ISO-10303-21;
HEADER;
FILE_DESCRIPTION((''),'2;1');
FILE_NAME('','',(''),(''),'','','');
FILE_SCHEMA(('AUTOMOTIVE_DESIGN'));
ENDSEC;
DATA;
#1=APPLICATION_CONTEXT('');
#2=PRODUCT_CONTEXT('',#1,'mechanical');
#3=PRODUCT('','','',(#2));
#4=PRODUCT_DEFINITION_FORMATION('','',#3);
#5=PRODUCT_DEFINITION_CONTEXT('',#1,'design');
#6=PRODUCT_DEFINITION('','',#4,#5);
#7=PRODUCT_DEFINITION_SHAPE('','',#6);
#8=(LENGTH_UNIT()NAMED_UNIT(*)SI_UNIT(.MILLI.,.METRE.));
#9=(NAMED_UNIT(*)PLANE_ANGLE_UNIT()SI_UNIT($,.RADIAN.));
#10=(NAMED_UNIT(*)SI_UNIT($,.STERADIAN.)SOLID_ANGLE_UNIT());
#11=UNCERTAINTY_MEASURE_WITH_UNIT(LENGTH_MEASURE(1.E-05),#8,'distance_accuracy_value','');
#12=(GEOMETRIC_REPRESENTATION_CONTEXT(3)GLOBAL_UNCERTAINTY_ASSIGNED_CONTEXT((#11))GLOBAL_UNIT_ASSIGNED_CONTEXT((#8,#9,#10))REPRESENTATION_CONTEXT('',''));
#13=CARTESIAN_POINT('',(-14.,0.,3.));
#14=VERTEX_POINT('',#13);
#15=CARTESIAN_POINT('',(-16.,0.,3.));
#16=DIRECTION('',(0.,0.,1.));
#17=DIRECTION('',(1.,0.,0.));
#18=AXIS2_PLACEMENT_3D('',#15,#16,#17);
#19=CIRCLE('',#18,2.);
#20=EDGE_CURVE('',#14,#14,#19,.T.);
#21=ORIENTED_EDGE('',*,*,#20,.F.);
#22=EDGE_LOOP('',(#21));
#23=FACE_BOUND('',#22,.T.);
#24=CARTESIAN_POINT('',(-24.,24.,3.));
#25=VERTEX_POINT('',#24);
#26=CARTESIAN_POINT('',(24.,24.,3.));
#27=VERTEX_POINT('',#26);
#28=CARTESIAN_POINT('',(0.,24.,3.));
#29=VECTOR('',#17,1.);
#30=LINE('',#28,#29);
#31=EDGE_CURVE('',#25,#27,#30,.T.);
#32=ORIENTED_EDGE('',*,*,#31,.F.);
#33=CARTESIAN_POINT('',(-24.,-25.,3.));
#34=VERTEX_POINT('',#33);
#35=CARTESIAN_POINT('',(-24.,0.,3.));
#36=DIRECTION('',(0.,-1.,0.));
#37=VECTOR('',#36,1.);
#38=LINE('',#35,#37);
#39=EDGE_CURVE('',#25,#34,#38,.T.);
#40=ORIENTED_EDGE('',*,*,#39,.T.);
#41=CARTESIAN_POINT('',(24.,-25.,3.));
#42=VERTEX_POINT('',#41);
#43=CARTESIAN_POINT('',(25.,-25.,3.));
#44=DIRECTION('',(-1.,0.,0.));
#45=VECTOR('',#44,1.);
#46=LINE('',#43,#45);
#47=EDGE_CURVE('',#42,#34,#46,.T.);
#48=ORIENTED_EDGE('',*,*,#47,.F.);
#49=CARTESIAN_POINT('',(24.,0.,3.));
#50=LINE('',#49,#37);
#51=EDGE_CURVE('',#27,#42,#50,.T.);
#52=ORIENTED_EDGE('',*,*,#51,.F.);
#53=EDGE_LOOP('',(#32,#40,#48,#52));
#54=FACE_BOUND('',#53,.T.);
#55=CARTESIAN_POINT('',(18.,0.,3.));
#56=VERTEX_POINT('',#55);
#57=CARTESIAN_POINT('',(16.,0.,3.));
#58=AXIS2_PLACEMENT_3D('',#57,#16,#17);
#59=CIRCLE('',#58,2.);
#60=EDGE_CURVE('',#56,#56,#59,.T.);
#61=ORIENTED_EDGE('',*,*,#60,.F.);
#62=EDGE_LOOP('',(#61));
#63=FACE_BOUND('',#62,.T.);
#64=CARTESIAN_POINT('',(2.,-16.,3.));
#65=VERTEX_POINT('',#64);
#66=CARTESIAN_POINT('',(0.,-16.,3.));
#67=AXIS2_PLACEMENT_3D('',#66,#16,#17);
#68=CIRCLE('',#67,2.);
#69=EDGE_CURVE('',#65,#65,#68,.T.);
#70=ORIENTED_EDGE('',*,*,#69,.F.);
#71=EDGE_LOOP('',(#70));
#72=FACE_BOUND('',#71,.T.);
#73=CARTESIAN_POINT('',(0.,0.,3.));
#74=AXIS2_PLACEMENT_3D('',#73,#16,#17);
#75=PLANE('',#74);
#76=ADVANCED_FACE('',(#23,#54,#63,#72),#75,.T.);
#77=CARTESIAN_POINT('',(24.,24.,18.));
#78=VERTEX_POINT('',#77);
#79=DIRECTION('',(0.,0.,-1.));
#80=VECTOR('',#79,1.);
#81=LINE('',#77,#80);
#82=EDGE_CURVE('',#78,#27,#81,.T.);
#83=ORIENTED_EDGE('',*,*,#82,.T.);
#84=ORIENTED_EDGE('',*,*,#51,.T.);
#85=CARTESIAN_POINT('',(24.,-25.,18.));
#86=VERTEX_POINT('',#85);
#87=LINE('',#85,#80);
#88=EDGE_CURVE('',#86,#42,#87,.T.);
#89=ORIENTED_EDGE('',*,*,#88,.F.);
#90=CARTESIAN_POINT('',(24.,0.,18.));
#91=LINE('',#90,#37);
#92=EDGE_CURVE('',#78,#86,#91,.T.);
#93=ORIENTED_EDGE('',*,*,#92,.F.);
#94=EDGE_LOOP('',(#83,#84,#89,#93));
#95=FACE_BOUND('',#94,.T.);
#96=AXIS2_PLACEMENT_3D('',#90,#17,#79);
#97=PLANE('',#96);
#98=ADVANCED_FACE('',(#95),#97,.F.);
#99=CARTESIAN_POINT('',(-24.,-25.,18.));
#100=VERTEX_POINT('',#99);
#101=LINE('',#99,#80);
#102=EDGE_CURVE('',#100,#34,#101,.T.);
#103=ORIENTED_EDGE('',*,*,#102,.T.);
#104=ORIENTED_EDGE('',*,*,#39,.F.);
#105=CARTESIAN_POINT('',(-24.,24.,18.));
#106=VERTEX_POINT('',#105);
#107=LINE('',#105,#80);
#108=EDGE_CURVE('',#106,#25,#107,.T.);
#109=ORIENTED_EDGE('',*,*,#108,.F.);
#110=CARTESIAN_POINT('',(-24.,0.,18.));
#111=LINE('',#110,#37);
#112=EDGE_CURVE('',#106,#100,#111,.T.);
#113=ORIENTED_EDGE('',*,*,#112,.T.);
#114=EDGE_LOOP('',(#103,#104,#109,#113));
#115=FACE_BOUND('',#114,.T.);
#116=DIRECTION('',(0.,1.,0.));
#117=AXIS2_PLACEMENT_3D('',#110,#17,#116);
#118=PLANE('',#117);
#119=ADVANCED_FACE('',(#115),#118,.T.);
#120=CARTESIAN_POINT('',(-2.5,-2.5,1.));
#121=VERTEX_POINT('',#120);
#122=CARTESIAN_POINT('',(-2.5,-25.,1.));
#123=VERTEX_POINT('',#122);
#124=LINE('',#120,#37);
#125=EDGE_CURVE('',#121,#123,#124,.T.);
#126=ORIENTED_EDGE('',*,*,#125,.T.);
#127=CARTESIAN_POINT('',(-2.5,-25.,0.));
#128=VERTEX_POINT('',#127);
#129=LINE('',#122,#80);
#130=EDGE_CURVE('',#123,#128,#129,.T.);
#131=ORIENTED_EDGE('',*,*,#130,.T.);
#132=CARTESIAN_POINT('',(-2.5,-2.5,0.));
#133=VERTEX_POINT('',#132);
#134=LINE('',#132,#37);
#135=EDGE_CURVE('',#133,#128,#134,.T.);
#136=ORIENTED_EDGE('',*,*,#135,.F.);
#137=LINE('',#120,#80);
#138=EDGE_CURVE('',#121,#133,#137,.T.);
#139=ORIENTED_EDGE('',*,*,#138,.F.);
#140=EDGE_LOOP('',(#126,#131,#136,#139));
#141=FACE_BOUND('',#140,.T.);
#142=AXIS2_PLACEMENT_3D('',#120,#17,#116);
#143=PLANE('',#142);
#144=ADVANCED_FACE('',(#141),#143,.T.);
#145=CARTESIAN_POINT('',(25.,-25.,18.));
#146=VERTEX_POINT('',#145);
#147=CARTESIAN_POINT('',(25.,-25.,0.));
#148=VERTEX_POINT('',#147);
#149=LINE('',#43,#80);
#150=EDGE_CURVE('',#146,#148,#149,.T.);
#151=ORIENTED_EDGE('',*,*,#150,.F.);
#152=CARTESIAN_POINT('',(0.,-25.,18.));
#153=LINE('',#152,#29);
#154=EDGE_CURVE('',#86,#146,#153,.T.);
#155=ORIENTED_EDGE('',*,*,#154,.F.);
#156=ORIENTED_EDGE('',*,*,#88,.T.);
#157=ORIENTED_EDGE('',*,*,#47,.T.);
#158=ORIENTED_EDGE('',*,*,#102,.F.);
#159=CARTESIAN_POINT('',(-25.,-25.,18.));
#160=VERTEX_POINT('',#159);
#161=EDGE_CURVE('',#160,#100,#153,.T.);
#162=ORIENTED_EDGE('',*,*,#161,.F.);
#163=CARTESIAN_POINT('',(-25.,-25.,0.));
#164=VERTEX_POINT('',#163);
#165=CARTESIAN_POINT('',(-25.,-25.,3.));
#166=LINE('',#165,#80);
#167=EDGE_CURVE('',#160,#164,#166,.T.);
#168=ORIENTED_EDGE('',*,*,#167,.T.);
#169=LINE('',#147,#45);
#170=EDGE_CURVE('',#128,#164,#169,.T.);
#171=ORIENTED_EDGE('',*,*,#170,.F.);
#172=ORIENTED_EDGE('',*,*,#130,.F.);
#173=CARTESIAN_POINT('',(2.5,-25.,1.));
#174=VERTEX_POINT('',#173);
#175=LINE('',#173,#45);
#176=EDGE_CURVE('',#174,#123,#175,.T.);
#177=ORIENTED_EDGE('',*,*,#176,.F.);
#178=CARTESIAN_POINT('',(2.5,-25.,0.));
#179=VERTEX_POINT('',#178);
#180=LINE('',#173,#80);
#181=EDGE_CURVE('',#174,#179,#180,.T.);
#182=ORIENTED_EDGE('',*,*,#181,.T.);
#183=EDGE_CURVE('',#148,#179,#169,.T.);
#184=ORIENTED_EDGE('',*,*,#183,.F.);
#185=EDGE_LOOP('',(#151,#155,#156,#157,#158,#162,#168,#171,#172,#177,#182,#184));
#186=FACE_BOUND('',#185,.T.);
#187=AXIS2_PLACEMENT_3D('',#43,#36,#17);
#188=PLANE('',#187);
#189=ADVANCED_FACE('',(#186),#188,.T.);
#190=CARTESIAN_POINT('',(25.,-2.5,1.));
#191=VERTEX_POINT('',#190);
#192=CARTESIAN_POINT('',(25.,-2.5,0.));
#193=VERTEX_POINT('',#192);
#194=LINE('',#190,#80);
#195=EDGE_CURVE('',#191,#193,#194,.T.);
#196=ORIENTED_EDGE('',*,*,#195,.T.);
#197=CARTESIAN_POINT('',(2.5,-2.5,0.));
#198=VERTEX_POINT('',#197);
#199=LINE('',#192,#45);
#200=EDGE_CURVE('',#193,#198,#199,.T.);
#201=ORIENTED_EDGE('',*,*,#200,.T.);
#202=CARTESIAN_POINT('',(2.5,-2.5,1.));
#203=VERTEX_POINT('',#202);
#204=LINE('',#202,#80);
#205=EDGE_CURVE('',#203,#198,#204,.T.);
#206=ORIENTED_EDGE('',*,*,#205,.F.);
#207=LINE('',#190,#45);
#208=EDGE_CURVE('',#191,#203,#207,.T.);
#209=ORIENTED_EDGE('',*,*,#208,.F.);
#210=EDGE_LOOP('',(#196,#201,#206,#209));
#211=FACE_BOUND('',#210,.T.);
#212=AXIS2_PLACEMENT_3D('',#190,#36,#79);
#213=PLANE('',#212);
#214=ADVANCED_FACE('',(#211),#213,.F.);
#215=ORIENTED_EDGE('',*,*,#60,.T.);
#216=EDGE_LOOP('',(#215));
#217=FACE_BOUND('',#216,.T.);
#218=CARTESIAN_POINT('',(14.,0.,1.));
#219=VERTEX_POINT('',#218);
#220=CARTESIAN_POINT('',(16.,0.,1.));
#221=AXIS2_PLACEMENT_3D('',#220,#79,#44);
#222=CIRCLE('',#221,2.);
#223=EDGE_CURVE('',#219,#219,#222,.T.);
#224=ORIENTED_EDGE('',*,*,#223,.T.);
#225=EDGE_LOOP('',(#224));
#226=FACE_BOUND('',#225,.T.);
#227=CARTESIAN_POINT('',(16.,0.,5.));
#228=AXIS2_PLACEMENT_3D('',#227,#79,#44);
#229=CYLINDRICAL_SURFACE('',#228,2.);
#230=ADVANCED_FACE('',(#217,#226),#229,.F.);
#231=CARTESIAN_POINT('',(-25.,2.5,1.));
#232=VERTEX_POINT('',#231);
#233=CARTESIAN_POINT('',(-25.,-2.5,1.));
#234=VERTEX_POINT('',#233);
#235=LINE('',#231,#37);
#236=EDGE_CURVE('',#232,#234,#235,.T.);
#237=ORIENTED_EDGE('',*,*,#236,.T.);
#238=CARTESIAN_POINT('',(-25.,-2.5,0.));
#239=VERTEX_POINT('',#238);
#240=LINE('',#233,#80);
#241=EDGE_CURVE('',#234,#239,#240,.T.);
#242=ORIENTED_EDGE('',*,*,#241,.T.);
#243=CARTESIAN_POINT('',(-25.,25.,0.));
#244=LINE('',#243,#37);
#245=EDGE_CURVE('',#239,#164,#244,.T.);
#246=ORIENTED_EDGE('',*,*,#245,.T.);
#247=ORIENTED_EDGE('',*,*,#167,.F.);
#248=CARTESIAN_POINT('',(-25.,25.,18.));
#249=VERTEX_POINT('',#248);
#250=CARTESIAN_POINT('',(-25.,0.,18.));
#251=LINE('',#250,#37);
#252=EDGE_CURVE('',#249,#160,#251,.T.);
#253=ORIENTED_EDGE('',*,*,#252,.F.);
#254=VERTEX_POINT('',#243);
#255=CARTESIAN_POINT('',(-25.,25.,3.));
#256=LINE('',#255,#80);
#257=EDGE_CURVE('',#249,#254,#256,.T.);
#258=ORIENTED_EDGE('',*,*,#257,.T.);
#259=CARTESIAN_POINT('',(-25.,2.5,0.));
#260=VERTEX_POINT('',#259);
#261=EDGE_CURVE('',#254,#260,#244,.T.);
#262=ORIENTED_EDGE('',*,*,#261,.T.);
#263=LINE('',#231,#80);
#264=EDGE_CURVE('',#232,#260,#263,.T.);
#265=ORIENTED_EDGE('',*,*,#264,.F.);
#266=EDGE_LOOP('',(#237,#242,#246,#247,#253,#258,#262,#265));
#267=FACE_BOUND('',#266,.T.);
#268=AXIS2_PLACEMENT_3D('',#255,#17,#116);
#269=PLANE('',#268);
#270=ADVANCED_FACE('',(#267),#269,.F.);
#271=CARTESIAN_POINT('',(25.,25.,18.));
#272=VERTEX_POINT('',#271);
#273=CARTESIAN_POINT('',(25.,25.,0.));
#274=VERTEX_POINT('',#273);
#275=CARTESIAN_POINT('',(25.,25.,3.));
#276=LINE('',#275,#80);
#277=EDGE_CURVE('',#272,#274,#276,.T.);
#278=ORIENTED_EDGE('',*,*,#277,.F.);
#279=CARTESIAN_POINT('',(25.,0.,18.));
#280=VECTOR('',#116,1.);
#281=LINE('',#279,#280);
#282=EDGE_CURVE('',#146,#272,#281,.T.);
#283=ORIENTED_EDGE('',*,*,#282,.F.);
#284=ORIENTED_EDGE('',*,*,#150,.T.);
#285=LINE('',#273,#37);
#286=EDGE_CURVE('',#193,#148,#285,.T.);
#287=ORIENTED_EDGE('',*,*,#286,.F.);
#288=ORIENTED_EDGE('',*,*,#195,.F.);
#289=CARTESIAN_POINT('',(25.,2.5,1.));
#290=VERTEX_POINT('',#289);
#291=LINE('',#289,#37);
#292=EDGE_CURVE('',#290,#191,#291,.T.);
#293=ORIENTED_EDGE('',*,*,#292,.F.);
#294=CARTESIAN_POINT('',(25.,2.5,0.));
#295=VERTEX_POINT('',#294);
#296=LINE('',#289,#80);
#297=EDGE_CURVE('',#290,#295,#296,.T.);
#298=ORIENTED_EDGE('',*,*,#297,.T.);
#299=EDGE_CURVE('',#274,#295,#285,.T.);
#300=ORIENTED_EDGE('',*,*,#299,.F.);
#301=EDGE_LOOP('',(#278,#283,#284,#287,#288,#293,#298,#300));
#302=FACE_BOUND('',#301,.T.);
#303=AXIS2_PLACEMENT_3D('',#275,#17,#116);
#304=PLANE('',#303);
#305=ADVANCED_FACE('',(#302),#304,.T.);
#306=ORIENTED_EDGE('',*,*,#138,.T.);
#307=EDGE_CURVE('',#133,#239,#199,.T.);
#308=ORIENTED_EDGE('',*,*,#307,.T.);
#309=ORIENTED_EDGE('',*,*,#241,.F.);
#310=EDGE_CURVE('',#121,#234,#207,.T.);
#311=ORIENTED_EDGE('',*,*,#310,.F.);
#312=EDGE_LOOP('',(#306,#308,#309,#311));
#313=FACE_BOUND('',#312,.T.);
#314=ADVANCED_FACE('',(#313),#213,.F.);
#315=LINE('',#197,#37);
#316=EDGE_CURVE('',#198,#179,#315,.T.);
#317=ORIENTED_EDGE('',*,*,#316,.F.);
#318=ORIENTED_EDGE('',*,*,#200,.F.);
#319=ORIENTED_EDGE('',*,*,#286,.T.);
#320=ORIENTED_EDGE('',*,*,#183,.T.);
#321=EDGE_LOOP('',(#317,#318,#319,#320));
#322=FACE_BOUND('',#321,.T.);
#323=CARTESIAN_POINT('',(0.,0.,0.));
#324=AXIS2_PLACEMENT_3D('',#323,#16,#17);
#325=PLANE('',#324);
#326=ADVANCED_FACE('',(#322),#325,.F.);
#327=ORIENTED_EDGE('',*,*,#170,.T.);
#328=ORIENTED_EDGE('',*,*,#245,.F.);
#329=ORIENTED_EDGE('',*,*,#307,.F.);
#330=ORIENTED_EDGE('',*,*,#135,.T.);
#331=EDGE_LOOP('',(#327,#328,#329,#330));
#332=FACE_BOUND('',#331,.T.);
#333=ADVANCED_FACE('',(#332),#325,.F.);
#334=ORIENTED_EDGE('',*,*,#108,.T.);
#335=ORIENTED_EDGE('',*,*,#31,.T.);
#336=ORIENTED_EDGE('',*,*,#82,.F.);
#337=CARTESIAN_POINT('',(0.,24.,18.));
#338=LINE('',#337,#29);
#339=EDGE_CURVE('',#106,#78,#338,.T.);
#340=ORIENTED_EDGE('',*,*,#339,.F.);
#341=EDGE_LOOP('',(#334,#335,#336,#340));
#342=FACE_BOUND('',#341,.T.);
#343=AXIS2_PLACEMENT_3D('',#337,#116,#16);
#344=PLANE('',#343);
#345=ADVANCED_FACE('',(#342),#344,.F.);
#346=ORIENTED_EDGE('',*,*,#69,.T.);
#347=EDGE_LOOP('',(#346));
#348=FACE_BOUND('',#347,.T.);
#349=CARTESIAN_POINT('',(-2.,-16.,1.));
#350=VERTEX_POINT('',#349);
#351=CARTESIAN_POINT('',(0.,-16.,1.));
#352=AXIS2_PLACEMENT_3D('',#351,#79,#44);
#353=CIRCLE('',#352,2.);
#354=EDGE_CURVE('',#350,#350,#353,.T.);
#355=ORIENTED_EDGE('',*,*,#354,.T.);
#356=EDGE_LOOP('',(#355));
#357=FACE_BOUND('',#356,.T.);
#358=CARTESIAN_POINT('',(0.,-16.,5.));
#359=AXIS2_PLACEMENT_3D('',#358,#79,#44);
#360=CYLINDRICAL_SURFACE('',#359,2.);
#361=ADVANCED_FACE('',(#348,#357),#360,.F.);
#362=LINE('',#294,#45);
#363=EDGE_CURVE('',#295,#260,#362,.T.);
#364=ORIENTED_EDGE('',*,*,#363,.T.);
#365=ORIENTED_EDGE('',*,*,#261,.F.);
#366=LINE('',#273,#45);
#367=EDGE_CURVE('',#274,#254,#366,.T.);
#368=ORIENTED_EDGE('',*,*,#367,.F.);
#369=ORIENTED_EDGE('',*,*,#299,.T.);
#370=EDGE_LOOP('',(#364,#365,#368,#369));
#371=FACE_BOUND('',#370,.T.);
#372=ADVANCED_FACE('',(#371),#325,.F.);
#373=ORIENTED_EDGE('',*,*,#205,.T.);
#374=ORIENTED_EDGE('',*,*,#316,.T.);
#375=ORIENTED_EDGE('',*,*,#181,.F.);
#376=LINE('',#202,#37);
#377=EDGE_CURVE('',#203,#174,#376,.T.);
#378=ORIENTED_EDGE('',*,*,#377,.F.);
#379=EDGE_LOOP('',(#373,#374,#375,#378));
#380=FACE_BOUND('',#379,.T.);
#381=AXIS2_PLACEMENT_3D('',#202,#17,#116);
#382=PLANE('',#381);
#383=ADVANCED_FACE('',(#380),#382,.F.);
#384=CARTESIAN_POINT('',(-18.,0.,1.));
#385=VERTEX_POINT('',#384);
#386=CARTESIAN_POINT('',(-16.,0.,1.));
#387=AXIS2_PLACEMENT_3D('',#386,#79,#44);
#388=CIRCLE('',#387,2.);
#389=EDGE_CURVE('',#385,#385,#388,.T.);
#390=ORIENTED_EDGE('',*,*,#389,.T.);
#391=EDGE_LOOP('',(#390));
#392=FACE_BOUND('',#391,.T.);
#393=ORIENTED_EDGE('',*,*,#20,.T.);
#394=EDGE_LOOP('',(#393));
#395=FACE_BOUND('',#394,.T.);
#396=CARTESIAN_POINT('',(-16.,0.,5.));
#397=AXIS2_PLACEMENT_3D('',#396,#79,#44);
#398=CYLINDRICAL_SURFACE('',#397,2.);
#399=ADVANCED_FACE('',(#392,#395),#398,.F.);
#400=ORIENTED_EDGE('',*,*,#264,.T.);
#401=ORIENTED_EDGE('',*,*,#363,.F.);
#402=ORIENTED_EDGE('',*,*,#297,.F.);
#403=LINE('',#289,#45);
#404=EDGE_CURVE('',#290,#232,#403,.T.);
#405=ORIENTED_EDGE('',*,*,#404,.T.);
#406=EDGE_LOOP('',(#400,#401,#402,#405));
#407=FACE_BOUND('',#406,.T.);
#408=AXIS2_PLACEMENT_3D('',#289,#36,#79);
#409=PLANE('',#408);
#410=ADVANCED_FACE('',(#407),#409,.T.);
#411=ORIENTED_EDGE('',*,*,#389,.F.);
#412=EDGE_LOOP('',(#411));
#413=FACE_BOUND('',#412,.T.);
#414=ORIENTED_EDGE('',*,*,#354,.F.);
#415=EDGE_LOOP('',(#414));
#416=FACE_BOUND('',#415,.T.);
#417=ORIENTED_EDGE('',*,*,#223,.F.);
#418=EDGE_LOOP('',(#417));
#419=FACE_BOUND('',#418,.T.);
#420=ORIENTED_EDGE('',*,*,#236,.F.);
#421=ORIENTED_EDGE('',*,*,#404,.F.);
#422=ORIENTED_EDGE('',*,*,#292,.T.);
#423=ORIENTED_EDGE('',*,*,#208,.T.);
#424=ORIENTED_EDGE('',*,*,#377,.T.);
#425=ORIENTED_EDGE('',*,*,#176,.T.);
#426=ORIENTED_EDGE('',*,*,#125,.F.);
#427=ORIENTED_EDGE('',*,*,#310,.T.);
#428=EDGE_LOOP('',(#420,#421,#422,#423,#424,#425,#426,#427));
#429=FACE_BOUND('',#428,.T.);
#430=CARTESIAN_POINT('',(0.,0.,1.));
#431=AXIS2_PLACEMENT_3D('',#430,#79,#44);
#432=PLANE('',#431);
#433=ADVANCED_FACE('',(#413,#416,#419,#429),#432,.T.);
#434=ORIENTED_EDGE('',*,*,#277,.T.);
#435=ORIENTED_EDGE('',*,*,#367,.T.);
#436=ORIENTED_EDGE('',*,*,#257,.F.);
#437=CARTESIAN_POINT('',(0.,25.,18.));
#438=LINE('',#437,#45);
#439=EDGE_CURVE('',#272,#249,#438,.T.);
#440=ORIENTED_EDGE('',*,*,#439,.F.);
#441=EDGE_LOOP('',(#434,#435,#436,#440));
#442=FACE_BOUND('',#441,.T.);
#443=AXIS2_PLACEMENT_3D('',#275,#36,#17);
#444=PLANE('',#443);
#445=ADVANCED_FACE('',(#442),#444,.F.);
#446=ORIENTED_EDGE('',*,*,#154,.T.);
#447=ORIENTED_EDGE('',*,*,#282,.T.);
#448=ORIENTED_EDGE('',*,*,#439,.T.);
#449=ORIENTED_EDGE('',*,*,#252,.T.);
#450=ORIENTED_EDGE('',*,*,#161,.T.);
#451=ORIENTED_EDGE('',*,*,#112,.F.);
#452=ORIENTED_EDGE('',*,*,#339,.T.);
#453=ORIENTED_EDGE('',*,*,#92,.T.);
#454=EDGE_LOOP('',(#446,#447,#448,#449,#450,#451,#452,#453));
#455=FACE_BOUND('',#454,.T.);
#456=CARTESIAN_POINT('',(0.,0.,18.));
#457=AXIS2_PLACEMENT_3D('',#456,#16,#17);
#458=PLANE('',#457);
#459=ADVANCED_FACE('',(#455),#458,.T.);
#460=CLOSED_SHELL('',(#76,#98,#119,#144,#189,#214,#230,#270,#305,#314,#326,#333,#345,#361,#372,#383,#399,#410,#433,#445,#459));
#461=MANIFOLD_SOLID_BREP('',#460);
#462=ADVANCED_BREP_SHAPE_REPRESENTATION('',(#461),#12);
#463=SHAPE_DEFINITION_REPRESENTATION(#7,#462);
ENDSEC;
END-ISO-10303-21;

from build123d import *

# Parameters (mm, degrees)
SKICA1_W                 = 50
SKICA1_H                 = 50
P_IDAT_VYSUNUT_M2_DEPTH  = 3
SKICA5_W                 = 5
SKICA5_H                 = 22.5
SKICA5_W_2               = 50
SKICA5_H_2               = 5
ODEBRAT_VYSUNUT_M3_DEPTH = 1
P_IDAT_VYSUNUT_M9_DEPTH  = 15
SKICA17_R                = 2
ODEBRAT_VYSUNUT_M8_DEPTH = 4


with BuildPart() as part:
    # Skica1 → Přidat vysunutím2 (new body)
    with BuildSketch(Plane.XY):
        Rectangle(SKICA1_W, SKICA1_H)
    extrude(amount=P_IDAT_VYSUNUT_M2_DEPTH)

    # Skica5 → Odebrat vysunutím3 (cut)
    with BuildSketch(Plane(origin=(0, 0, 0), x_dir=(-1, 0, 0), z_dir=(0, 0, -1))):
        with Locations((0, -13.75)):
            Rectangle(SKICA5_W, SKICA5_H)
        Rectangle(SKICA5_W_2, SKICA5_H_2)
    extrude(amount=-ODEBRAT_VYSUNUT_M3_DEPTH, mode=Mode.SUBTRACT)

    # Skica14 → Přidat vysunutím9 (add)
    with BuildSketch(Plane.XY.offset(3)):
        Polygon((25, 25), (-25, 25), (-25, -25), (-24, -25), (-24, 24), (24, 24), (24, -25), (25, -25), align=None)
    extrude(amount=P_IDAT_VYSUNUT_M9_DEPTH)

    # Skica17 → Odebrat vysunutím8 (cut)
    with BuildSketch(Plane(origin=(0, 0, 1), x_dir=(-1, 0, 0), z_dir=(0, 0, -1))):
        with Locations((-16, 0)):
            Circle(SKICA17_R)
        with Locations((16, 0)):
            Circle(SKICA17_R)
        with Locations((0, -16)):
            Circle(SKICA17_R)
    extrude(amount=-ODEBRAT_VYSUNUT_M8_DEPTH, mode=Mode.SUBTRACT)


solid = part.part
